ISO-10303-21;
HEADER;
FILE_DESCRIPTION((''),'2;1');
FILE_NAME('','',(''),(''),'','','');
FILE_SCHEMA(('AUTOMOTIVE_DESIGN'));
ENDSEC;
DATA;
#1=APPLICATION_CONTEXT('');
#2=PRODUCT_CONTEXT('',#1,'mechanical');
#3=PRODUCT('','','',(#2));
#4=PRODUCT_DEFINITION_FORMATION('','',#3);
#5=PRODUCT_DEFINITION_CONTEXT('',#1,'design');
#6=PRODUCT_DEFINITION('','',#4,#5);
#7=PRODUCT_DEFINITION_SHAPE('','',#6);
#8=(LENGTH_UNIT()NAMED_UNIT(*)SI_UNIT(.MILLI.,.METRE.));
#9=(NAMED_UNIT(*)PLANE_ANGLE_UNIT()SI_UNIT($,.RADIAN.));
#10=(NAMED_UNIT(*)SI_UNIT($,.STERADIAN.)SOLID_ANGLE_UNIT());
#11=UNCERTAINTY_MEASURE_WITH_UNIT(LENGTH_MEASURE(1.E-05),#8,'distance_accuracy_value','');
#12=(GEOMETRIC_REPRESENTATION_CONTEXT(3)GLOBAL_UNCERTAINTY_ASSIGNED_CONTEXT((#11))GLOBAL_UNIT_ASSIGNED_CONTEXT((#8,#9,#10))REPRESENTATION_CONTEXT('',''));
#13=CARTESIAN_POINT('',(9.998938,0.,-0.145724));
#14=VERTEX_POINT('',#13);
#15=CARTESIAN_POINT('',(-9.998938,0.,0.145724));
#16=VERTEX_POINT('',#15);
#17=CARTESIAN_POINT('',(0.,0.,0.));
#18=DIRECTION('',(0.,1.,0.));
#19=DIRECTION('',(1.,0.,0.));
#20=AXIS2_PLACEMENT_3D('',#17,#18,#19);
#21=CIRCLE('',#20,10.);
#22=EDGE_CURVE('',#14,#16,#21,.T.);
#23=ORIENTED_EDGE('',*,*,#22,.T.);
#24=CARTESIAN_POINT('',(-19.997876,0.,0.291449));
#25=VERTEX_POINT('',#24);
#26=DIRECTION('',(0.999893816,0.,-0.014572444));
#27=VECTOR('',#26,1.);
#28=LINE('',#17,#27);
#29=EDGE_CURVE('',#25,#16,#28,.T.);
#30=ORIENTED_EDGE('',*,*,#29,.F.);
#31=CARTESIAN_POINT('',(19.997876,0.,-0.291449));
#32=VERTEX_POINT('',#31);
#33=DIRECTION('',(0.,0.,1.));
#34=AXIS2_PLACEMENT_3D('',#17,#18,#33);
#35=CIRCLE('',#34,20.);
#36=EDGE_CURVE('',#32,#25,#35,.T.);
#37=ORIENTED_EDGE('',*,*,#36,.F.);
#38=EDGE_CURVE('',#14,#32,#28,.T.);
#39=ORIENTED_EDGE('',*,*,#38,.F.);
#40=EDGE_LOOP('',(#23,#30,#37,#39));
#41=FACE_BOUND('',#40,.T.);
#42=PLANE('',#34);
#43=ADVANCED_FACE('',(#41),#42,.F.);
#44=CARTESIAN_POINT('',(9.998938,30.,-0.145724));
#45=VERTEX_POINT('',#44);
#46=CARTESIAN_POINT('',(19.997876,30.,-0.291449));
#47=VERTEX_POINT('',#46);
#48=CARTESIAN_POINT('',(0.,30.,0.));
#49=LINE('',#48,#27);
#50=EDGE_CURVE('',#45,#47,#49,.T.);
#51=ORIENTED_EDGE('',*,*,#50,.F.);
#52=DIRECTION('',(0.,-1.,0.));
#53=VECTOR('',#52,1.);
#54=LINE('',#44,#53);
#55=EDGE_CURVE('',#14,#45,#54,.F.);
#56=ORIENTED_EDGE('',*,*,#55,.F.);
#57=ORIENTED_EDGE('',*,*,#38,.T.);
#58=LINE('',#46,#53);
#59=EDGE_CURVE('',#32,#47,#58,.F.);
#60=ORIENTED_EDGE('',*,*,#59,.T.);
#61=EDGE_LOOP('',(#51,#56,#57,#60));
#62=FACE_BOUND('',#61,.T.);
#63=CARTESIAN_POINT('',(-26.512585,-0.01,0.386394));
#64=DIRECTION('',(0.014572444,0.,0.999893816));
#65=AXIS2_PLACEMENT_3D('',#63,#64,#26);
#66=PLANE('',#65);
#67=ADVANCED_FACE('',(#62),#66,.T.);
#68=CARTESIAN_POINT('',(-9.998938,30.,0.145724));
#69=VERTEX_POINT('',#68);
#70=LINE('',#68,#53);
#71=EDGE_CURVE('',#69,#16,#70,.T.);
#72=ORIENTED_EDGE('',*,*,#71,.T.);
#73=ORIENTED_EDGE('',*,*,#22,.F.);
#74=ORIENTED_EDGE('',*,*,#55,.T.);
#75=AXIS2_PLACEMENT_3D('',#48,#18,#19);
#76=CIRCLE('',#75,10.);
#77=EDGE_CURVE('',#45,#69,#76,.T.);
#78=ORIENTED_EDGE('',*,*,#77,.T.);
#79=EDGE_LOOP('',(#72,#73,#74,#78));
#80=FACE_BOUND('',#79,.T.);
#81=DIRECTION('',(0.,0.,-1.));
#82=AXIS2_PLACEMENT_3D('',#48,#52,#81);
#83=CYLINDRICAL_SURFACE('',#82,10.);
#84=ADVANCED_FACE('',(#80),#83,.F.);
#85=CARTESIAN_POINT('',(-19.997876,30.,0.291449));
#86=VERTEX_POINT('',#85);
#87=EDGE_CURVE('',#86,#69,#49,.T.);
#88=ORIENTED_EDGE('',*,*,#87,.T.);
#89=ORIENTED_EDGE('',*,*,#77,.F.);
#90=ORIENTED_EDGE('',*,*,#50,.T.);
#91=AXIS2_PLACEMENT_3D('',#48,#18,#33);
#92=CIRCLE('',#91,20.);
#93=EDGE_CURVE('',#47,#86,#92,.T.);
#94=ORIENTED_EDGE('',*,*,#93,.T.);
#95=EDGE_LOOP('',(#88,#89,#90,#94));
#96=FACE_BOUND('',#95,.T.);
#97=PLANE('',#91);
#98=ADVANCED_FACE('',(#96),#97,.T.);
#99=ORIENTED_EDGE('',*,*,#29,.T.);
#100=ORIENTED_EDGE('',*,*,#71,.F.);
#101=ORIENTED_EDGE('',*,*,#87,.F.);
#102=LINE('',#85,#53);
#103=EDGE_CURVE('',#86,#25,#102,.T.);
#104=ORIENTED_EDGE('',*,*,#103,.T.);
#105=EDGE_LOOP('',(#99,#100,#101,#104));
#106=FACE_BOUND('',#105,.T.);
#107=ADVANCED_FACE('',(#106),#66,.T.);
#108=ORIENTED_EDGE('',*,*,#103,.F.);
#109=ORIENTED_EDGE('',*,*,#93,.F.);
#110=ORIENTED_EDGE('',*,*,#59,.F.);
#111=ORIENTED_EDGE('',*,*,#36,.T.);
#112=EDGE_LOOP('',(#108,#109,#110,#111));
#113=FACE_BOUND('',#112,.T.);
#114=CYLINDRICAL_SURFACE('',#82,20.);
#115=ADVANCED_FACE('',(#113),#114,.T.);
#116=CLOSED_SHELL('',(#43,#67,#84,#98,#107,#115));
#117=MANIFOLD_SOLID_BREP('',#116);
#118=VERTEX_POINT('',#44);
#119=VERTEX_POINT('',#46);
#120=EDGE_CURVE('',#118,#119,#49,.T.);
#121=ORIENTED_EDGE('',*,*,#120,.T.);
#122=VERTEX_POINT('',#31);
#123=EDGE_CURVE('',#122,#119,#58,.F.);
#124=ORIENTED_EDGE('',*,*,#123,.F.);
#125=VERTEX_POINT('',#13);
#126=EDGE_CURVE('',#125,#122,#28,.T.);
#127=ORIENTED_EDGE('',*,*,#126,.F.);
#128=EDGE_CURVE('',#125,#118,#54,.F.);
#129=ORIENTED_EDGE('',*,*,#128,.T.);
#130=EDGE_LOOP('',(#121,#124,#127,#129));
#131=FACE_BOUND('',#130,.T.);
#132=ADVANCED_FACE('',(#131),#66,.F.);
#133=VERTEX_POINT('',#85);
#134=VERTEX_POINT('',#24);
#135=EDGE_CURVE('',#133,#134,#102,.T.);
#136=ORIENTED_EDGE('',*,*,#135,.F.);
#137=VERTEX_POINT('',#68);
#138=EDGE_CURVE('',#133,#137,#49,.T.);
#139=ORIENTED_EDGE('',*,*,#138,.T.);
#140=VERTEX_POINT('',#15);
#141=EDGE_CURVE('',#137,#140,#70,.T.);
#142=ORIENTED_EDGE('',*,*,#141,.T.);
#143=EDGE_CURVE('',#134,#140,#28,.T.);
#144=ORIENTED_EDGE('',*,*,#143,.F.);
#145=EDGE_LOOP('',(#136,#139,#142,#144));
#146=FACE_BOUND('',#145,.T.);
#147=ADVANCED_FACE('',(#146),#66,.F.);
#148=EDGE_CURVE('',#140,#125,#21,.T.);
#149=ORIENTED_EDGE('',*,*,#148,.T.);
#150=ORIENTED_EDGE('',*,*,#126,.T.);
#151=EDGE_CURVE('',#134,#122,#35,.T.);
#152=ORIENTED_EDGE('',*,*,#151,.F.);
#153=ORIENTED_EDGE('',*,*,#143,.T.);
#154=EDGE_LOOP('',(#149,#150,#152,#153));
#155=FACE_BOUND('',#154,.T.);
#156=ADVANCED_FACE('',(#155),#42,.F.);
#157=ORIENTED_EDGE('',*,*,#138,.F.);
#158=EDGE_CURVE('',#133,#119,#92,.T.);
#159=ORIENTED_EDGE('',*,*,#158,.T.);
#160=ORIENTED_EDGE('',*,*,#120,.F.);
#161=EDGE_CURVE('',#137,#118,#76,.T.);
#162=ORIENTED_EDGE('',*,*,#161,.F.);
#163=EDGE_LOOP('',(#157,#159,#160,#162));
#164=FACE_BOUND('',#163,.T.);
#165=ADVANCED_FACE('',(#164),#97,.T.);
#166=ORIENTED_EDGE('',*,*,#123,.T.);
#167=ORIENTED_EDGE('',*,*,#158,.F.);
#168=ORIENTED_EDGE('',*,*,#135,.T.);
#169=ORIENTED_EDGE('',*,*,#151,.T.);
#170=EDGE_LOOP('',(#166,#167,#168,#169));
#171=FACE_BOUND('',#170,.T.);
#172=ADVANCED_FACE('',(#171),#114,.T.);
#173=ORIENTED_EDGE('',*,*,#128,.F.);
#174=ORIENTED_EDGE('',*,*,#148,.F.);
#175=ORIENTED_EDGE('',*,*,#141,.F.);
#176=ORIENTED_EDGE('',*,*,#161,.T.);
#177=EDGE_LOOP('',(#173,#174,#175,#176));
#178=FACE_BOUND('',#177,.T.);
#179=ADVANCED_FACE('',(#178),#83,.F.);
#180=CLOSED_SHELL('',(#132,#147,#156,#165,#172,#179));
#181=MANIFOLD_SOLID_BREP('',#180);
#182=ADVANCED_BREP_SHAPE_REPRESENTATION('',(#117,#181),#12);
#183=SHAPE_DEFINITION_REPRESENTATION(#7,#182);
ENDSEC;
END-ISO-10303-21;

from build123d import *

# Parameters (mm, degrees)
SKETCH1_R              = 20
SKETCH1_R_2            = 10
EXTRUDE_THIN1_DEPTH    = 30
SPLIT1_SURFACE_1_BACK  = 65.031
SPLIT1_SURFACE_1_DEPTH = 130.062
SPLIT1_SURFACE_2_BACK  = 65.031
SPLIT1_SURFACE_2_DEPTH = 130.062


with BuildPart() as part:
    # Sketch1 → Extrude-Thin1 (new body)
    with BuildSketch(Plane(origin=(0, 0, 0), x_dir=(1, 0, 0), z_dir=(0, 1, 0))):
        Circle(SKETCH1_R)
        Circle(SKETCH1_R_2, mode=Mode.SUBTRACT)
    extrude(amount=EXTRUDE_THIN1_DEPTH)


with BuildPart() as body_2:
    # Split1: the piece behind the surface
    add(part.part)
    # Split1 surface: a surface, the sketch's curves swept straight by 130.062 mm
    with BuildLine(Plane(origin=(0, 30, 0), x_dir=(1, 0, 0), z_dir=(0, 1, 0)).offset(-SPLIT1_SURFACE_1_BACK), mode=Mode.PRIVATE) as split1_surface_1_path:
        Line((-26.512584697, -0.386394172), (28.829591237, 0.420162204))
    split1_surface_1 = Shell.extrude(split1_surface_1_path.wire(), (0 * SPLIT1_SURFACE_1_DEPTH, 1 * SPLIT1_SURFACE_1_DEPTH, 0 * SPLIT1_SURFACE_1_DEPTH))
    split(bisect_by=split1_surface_1, keep=Keep.BOTTOM)


with BuildPart() as part_1:
    add(part.part)

    # Split1: split by a surface, the side it looks to stays
    # Split1 surface: a surface, the sketch's curves swept straight by 130.062 mm
    with BuildLine(Plane(origin=(0, 30, 0), x_dir=(1, 0, 0), z_dir=(0, 1, 0)).offset(-SPLIT1_SURFACE_2_BACK), mode=Mode.PRIVATE) as split1_surface_2_path:
        Line((-26.512584697, -0.386394172), (28.829591237, 0.420162204))
    split1_surface_2 = Shell.extrude(split1_surface_2_path.wire(), (0 * SPLIT1_SURFACE_2_DEPTH, 1 * SPLIT1_SURFACE_2_DEPTH, 0 * SPLIT1_SURFACE_2_DEPTH))
    split(bisect_by=split1_surface_2, keep=Keep.TOP)


solid = Compound([body_2.part, part_1.part])
